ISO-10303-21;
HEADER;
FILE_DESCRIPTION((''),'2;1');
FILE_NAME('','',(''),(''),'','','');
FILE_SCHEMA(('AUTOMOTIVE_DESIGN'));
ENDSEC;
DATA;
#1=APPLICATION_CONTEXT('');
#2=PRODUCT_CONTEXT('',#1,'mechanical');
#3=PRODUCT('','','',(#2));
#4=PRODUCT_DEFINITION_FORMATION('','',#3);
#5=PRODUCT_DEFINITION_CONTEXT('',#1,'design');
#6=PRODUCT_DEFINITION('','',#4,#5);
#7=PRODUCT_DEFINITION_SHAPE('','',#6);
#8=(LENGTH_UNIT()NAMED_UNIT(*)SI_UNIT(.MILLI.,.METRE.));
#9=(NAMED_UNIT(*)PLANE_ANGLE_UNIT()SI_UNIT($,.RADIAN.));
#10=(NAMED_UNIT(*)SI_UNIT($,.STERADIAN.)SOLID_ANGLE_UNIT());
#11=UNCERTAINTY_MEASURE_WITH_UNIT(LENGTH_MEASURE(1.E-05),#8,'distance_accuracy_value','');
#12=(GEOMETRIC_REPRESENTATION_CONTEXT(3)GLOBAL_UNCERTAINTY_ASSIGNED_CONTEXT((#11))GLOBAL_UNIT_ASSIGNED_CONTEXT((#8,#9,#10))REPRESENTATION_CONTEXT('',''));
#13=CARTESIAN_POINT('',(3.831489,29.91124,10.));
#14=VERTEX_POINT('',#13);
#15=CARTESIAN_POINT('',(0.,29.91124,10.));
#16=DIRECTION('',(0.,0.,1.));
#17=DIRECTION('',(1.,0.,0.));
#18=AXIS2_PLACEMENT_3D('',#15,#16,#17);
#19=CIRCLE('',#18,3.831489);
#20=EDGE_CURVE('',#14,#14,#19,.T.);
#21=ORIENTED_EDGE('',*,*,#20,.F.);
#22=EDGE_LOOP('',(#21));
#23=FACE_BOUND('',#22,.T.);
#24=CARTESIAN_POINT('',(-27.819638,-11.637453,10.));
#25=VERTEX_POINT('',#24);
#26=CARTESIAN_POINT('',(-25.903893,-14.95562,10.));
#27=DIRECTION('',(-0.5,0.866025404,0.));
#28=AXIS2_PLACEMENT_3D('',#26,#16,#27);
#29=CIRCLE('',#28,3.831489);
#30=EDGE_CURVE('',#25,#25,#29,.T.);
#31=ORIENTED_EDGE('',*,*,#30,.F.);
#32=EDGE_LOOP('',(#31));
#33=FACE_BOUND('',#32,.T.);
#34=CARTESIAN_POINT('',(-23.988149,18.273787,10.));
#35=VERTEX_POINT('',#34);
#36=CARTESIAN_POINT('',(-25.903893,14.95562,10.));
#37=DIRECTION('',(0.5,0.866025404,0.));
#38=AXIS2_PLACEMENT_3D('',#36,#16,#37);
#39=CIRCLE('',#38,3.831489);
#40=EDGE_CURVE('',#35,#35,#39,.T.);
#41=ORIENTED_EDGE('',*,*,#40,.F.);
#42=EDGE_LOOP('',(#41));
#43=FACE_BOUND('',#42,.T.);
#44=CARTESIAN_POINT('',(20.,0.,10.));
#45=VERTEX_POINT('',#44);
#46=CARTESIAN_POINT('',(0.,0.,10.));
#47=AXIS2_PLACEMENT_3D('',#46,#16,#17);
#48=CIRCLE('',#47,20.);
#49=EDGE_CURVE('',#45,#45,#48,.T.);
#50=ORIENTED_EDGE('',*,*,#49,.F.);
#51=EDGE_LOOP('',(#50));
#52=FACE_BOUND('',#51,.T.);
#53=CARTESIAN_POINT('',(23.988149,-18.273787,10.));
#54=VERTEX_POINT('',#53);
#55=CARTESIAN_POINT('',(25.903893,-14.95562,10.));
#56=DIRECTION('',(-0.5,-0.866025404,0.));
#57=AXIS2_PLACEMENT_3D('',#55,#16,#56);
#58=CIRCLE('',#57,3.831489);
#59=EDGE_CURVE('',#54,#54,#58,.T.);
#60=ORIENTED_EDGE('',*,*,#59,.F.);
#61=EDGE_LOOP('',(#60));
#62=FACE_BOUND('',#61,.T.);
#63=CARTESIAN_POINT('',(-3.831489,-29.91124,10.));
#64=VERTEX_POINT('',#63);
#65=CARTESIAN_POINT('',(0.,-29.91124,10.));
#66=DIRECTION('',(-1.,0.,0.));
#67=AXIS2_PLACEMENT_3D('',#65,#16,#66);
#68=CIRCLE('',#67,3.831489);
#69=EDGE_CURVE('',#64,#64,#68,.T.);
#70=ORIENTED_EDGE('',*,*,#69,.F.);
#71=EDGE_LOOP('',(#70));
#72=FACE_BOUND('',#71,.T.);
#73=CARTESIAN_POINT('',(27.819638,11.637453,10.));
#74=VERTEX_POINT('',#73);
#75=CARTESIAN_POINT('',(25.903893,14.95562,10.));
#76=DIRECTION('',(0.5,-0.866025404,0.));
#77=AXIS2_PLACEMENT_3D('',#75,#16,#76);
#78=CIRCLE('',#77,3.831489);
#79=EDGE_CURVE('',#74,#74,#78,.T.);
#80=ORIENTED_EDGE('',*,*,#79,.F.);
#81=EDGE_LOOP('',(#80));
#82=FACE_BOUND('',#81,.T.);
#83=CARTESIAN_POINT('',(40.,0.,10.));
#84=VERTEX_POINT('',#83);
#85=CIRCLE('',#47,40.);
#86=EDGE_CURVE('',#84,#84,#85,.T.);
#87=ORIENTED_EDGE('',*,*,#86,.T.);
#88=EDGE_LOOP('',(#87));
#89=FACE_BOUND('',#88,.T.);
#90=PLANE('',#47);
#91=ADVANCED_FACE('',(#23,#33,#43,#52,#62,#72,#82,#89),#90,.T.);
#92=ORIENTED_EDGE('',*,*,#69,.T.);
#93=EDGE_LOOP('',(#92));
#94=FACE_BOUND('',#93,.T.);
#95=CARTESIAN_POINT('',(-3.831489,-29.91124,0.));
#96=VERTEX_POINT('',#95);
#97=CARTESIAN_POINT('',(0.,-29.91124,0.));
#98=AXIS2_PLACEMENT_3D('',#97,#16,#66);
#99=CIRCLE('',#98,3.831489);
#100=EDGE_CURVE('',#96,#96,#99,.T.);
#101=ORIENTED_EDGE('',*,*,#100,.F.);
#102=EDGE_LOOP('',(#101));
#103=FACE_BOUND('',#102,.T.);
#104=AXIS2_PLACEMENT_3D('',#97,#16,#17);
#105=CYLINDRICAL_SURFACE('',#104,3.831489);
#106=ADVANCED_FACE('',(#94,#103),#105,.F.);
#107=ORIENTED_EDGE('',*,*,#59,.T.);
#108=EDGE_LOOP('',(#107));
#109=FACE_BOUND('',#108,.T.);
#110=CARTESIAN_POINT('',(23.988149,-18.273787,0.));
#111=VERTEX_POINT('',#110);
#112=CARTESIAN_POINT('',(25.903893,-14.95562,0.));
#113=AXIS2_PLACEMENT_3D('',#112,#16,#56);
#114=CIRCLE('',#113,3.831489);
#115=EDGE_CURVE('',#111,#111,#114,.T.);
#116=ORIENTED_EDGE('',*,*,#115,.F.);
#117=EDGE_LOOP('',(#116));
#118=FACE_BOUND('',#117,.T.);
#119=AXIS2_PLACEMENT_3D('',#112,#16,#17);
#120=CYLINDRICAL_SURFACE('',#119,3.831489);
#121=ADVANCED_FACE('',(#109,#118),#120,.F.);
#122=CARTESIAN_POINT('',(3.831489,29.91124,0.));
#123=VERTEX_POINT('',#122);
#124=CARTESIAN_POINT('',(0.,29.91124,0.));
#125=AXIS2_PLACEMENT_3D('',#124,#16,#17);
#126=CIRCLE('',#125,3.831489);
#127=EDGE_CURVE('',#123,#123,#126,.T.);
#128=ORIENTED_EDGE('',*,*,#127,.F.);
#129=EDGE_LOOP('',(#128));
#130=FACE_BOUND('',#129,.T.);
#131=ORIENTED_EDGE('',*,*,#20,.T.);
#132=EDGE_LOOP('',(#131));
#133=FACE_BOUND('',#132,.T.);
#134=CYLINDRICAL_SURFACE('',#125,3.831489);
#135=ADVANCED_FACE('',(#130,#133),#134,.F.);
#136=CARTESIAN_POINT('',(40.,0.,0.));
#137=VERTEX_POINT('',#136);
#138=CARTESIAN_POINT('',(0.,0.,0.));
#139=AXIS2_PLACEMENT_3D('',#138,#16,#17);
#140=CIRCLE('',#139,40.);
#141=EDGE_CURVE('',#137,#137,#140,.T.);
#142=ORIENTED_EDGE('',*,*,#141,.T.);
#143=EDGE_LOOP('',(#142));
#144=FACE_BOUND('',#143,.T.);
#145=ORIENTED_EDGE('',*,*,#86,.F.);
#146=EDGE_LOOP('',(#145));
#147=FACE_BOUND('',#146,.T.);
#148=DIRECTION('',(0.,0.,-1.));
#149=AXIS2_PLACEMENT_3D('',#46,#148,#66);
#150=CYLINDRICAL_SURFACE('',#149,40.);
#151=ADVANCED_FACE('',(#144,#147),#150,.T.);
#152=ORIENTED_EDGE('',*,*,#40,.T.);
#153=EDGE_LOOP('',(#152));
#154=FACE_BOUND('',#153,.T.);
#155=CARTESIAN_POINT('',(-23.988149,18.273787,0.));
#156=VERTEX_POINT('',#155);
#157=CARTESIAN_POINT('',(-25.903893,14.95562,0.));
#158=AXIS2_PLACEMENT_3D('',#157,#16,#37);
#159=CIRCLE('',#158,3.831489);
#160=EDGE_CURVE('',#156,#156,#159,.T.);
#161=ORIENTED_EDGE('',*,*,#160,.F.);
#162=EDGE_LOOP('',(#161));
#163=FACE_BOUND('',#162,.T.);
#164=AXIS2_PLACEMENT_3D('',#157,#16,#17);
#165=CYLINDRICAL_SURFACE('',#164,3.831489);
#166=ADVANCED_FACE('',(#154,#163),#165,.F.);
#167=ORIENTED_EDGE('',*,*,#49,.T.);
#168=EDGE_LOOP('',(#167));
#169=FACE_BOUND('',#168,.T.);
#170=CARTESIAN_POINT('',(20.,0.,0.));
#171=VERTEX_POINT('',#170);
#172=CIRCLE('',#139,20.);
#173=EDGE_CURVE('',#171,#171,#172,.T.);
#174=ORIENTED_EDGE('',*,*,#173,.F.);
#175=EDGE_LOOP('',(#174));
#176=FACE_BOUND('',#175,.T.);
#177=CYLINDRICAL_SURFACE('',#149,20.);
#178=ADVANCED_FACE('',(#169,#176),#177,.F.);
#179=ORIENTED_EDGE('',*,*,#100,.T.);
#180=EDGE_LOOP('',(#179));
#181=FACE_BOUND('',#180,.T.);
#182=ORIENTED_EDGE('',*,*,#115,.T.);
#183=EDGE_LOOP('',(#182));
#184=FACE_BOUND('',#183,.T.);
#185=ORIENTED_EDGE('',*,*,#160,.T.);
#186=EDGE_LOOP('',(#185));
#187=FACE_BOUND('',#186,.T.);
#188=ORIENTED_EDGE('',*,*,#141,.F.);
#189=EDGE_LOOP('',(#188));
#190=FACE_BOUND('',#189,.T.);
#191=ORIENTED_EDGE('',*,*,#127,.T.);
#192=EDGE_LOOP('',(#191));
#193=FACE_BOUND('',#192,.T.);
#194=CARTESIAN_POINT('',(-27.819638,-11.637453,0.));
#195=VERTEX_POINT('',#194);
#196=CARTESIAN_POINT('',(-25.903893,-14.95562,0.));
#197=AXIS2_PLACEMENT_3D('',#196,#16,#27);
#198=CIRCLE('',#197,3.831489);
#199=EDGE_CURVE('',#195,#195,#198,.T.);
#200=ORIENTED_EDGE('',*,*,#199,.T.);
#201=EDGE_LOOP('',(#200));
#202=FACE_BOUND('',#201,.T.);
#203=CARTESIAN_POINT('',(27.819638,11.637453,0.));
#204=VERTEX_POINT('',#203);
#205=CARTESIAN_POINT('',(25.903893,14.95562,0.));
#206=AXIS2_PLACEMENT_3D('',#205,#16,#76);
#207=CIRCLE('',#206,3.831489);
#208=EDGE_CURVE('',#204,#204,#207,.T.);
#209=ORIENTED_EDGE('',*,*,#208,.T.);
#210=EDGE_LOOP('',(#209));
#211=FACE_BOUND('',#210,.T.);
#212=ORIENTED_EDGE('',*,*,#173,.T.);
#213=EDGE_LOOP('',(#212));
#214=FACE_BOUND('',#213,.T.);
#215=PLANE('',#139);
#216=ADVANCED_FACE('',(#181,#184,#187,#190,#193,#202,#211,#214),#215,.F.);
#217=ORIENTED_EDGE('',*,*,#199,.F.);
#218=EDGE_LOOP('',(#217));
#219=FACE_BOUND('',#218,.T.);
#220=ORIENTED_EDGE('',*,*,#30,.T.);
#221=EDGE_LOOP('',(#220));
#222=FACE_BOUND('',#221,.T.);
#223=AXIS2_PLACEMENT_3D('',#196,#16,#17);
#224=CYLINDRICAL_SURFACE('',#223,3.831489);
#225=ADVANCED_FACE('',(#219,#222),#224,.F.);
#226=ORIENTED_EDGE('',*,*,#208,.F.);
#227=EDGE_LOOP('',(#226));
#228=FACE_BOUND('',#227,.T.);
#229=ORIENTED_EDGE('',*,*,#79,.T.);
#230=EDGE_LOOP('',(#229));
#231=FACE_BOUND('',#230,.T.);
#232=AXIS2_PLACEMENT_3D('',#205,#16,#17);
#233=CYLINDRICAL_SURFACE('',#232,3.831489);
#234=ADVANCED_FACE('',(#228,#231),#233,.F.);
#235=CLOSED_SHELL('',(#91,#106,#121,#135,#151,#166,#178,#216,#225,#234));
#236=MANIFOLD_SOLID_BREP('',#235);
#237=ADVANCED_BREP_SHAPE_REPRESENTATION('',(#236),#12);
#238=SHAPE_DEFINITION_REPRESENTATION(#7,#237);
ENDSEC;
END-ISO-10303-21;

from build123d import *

# Parameters (mm, degrees)
SKETCH1_R           = 40
SKETCH1_R_2         = 20
BOSS_EXTRUDE1_DEPTH = 10
SKETCH2_R           = 3.831489411
CUT_EXTRUDE1_DEPTH  = 10
CIRPATTERN1_COUNT   = 6


with BuildPart() as part:
    # Sketch1 → Boss-Extrude1 (new body)
    with BuildSketch(Plane.XY):
        Circle(SKETCH1_R)
        Circle(SKETCH1_R_2, mode=Mode.SUBTRACT)
    extrude(amount=BOSS_EXTRUDE1_DEPTH)

    # Sketch2 → Cut-Extrude1 (cut)
    with BuildSketch(Plane.XY.offset(10)):
        with Locations((0, 29.911239538)):
            Circle(SKETCH2_R)
    cut_extrude1 = extrude(amount=-CUT_EXTRUDE1_DEPTH, mode=Mode.SUBTRACT)

    # CirPattern1: Cut-Extrude1 ×6 about axis
    cirpattern1_axis = Axis((0, 0, 0), (0, 0, 1))
    for i in range(1, CIRPATTERN1_COUNT):
        add(cut_extrude1.rotate(cirpattern1_axis, i * 360 / CIRPATTERN1_COUNT), mode=Mode.SUBTRACT)


solid = part.part
